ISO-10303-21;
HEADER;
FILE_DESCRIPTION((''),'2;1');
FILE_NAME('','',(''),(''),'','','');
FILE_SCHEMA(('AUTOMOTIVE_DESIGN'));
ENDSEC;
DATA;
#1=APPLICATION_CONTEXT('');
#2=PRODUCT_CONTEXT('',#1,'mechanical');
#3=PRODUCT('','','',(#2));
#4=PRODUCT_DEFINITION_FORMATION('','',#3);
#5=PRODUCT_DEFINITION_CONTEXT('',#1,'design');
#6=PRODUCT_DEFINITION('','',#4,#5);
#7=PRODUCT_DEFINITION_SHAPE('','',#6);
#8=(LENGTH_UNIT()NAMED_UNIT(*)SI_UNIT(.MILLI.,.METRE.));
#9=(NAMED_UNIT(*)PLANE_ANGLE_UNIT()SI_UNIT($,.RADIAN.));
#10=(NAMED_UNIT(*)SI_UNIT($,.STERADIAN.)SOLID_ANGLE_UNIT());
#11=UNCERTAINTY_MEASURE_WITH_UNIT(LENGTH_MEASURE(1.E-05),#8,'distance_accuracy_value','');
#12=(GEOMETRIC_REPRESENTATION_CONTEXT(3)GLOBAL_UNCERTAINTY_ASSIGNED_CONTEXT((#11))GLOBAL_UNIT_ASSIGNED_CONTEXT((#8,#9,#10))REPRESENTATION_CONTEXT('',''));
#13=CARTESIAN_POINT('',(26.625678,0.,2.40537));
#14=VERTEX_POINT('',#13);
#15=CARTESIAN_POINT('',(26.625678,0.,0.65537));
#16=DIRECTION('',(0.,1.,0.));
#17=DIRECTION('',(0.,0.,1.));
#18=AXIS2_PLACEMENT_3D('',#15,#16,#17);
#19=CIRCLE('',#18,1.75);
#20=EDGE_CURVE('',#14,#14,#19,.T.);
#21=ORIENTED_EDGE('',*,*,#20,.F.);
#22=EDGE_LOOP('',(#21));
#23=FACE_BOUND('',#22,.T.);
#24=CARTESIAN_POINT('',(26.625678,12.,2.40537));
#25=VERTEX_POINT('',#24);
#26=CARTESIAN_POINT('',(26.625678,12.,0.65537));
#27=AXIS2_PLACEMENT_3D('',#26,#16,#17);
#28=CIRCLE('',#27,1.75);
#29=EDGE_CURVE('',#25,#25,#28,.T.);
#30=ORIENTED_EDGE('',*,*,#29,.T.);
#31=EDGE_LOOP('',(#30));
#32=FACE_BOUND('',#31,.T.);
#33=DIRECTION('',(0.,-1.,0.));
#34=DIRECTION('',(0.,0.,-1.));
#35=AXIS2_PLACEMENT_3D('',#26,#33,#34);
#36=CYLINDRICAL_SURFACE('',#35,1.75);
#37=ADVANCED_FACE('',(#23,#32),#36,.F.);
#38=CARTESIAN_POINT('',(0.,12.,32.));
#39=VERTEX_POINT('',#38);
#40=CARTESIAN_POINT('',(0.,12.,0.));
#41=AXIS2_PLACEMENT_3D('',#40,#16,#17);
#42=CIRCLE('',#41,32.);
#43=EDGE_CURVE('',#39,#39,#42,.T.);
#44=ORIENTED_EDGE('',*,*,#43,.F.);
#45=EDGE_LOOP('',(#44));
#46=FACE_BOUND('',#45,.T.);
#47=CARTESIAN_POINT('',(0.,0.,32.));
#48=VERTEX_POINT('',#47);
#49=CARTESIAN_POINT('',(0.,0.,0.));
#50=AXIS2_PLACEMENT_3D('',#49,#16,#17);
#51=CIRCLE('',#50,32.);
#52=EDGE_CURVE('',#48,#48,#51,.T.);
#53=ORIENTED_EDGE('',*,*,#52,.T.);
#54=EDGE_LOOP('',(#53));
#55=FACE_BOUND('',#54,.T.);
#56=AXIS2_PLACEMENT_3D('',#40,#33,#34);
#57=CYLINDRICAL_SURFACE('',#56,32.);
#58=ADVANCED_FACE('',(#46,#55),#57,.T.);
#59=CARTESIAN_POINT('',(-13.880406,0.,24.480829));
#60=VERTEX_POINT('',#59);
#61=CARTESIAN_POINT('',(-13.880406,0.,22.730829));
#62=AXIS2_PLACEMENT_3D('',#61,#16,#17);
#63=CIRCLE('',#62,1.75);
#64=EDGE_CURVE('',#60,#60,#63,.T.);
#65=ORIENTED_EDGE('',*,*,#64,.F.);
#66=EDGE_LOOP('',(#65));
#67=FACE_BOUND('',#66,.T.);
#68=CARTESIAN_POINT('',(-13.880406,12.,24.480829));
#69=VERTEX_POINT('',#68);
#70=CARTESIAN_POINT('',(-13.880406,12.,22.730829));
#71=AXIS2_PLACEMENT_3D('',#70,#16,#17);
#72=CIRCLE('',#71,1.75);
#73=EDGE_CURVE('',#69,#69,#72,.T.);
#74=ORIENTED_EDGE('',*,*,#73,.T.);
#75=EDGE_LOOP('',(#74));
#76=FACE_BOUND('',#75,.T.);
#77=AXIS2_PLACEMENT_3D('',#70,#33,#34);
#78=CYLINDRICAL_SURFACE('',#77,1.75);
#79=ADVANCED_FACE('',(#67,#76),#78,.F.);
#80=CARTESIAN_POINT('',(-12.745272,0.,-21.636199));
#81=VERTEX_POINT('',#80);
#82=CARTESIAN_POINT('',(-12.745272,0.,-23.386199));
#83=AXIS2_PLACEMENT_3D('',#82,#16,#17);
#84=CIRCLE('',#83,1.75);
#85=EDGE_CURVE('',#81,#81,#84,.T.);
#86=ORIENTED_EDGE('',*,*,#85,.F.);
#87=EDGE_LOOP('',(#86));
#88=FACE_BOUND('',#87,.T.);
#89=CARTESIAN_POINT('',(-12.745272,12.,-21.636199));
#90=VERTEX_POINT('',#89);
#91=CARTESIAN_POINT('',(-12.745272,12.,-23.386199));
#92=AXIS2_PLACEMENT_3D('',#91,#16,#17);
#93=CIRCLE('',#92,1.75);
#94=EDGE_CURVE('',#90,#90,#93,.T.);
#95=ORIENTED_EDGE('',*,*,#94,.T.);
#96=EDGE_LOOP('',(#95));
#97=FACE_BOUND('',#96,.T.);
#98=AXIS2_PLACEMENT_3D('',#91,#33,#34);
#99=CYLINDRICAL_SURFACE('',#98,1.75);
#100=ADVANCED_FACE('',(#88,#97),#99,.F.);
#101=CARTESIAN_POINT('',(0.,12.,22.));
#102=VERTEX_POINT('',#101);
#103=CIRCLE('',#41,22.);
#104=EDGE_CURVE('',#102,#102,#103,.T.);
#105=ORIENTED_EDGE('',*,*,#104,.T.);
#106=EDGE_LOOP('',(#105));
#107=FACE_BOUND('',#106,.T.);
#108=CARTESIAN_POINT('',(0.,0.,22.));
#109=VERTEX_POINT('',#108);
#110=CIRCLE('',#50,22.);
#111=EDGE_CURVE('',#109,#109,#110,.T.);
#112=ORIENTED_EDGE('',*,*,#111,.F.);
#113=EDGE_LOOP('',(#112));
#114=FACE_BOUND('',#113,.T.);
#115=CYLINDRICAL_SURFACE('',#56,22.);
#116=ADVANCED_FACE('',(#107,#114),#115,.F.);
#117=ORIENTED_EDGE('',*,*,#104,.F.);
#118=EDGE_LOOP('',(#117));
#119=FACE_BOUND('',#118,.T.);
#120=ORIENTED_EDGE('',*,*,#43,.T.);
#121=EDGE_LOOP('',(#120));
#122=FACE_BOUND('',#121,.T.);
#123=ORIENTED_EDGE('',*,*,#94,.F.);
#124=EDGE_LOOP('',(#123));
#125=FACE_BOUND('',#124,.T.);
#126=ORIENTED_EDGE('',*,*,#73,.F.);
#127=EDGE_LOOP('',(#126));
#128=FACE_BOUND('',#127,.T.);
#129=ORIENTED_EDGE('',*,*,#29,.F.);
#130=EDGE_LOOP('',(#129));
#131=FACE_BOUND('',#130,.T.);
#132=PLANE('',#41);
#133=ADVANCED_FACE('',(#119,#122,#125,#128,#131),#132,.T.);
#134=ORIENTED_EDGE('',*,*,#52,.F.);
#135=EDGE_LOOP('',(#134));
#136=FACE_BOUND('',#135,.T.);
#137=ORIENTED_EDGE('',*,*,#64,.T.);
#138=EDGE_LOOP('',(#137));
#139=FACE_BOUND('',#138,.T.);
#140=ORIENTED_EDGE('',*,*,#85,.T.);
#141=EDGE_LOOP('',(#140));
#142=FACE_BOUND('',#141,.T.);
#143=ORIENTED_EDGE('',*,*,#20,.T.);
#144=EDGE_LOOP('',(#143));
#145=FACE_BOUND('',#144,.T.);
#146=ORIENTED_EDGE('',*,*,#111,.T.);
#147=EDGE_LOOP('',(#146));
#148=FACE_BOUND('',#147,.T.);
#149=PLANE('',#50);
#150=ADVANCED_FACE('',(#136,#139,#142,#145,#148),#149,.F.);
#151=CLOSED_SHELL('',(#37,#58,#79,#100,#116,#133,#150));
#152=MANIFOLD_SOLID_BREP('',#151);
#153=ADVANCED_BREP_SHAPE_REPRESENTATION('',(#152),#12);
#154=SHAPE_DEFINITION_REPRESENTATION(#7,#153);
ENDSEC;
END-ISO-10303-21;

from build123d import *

# Parameters (mm, degrees)
SKETCH1_R           = 32
SKETCH1_R_2         = 22
SKETCH1_R_3         = 1.75
BOSS_EXTRUDE1_DEPTH = 12


with BuildPart() as part:
    # Sketch1 → Boss-Extrude1 (new body)
    with BuildSketch(Plane(origin=(0, 0, 0), x_dir=(1, 0, 0), z_dir=(0, 1, 0))):
        with Locations(Location((0, 0, 0), (0, 0, 270))):
            Circle(SKETCH1_R)
        with Locations(Location((0, 0, 0), (0, 0, 270))):
            Circle(SKETCH1_R_2, mode=Mode.SUBTRACT)
        with Locations(Location((26.625678067, -0.655369856, 0), (0, 0, 270))):
            Circle(SKETCH1_R_3, mode=Mode.SUBTRACT)
        with Locations(Location((-13.880405978, -22.730828671, 0), (0, 0, 270))):
            Circle(SKETCH1_R_3, mode=Mode.SUBTRACT)
        with Locations(Location((-12.745272089, 23.386198527, 0), (0, 0, 270))):
            Circle(SKETCH1_R_3, mode=Mode.SUBTRACT)
    extrude(amount=BOSS_EXTRUDE1_DEPTH)


solid = part.part
